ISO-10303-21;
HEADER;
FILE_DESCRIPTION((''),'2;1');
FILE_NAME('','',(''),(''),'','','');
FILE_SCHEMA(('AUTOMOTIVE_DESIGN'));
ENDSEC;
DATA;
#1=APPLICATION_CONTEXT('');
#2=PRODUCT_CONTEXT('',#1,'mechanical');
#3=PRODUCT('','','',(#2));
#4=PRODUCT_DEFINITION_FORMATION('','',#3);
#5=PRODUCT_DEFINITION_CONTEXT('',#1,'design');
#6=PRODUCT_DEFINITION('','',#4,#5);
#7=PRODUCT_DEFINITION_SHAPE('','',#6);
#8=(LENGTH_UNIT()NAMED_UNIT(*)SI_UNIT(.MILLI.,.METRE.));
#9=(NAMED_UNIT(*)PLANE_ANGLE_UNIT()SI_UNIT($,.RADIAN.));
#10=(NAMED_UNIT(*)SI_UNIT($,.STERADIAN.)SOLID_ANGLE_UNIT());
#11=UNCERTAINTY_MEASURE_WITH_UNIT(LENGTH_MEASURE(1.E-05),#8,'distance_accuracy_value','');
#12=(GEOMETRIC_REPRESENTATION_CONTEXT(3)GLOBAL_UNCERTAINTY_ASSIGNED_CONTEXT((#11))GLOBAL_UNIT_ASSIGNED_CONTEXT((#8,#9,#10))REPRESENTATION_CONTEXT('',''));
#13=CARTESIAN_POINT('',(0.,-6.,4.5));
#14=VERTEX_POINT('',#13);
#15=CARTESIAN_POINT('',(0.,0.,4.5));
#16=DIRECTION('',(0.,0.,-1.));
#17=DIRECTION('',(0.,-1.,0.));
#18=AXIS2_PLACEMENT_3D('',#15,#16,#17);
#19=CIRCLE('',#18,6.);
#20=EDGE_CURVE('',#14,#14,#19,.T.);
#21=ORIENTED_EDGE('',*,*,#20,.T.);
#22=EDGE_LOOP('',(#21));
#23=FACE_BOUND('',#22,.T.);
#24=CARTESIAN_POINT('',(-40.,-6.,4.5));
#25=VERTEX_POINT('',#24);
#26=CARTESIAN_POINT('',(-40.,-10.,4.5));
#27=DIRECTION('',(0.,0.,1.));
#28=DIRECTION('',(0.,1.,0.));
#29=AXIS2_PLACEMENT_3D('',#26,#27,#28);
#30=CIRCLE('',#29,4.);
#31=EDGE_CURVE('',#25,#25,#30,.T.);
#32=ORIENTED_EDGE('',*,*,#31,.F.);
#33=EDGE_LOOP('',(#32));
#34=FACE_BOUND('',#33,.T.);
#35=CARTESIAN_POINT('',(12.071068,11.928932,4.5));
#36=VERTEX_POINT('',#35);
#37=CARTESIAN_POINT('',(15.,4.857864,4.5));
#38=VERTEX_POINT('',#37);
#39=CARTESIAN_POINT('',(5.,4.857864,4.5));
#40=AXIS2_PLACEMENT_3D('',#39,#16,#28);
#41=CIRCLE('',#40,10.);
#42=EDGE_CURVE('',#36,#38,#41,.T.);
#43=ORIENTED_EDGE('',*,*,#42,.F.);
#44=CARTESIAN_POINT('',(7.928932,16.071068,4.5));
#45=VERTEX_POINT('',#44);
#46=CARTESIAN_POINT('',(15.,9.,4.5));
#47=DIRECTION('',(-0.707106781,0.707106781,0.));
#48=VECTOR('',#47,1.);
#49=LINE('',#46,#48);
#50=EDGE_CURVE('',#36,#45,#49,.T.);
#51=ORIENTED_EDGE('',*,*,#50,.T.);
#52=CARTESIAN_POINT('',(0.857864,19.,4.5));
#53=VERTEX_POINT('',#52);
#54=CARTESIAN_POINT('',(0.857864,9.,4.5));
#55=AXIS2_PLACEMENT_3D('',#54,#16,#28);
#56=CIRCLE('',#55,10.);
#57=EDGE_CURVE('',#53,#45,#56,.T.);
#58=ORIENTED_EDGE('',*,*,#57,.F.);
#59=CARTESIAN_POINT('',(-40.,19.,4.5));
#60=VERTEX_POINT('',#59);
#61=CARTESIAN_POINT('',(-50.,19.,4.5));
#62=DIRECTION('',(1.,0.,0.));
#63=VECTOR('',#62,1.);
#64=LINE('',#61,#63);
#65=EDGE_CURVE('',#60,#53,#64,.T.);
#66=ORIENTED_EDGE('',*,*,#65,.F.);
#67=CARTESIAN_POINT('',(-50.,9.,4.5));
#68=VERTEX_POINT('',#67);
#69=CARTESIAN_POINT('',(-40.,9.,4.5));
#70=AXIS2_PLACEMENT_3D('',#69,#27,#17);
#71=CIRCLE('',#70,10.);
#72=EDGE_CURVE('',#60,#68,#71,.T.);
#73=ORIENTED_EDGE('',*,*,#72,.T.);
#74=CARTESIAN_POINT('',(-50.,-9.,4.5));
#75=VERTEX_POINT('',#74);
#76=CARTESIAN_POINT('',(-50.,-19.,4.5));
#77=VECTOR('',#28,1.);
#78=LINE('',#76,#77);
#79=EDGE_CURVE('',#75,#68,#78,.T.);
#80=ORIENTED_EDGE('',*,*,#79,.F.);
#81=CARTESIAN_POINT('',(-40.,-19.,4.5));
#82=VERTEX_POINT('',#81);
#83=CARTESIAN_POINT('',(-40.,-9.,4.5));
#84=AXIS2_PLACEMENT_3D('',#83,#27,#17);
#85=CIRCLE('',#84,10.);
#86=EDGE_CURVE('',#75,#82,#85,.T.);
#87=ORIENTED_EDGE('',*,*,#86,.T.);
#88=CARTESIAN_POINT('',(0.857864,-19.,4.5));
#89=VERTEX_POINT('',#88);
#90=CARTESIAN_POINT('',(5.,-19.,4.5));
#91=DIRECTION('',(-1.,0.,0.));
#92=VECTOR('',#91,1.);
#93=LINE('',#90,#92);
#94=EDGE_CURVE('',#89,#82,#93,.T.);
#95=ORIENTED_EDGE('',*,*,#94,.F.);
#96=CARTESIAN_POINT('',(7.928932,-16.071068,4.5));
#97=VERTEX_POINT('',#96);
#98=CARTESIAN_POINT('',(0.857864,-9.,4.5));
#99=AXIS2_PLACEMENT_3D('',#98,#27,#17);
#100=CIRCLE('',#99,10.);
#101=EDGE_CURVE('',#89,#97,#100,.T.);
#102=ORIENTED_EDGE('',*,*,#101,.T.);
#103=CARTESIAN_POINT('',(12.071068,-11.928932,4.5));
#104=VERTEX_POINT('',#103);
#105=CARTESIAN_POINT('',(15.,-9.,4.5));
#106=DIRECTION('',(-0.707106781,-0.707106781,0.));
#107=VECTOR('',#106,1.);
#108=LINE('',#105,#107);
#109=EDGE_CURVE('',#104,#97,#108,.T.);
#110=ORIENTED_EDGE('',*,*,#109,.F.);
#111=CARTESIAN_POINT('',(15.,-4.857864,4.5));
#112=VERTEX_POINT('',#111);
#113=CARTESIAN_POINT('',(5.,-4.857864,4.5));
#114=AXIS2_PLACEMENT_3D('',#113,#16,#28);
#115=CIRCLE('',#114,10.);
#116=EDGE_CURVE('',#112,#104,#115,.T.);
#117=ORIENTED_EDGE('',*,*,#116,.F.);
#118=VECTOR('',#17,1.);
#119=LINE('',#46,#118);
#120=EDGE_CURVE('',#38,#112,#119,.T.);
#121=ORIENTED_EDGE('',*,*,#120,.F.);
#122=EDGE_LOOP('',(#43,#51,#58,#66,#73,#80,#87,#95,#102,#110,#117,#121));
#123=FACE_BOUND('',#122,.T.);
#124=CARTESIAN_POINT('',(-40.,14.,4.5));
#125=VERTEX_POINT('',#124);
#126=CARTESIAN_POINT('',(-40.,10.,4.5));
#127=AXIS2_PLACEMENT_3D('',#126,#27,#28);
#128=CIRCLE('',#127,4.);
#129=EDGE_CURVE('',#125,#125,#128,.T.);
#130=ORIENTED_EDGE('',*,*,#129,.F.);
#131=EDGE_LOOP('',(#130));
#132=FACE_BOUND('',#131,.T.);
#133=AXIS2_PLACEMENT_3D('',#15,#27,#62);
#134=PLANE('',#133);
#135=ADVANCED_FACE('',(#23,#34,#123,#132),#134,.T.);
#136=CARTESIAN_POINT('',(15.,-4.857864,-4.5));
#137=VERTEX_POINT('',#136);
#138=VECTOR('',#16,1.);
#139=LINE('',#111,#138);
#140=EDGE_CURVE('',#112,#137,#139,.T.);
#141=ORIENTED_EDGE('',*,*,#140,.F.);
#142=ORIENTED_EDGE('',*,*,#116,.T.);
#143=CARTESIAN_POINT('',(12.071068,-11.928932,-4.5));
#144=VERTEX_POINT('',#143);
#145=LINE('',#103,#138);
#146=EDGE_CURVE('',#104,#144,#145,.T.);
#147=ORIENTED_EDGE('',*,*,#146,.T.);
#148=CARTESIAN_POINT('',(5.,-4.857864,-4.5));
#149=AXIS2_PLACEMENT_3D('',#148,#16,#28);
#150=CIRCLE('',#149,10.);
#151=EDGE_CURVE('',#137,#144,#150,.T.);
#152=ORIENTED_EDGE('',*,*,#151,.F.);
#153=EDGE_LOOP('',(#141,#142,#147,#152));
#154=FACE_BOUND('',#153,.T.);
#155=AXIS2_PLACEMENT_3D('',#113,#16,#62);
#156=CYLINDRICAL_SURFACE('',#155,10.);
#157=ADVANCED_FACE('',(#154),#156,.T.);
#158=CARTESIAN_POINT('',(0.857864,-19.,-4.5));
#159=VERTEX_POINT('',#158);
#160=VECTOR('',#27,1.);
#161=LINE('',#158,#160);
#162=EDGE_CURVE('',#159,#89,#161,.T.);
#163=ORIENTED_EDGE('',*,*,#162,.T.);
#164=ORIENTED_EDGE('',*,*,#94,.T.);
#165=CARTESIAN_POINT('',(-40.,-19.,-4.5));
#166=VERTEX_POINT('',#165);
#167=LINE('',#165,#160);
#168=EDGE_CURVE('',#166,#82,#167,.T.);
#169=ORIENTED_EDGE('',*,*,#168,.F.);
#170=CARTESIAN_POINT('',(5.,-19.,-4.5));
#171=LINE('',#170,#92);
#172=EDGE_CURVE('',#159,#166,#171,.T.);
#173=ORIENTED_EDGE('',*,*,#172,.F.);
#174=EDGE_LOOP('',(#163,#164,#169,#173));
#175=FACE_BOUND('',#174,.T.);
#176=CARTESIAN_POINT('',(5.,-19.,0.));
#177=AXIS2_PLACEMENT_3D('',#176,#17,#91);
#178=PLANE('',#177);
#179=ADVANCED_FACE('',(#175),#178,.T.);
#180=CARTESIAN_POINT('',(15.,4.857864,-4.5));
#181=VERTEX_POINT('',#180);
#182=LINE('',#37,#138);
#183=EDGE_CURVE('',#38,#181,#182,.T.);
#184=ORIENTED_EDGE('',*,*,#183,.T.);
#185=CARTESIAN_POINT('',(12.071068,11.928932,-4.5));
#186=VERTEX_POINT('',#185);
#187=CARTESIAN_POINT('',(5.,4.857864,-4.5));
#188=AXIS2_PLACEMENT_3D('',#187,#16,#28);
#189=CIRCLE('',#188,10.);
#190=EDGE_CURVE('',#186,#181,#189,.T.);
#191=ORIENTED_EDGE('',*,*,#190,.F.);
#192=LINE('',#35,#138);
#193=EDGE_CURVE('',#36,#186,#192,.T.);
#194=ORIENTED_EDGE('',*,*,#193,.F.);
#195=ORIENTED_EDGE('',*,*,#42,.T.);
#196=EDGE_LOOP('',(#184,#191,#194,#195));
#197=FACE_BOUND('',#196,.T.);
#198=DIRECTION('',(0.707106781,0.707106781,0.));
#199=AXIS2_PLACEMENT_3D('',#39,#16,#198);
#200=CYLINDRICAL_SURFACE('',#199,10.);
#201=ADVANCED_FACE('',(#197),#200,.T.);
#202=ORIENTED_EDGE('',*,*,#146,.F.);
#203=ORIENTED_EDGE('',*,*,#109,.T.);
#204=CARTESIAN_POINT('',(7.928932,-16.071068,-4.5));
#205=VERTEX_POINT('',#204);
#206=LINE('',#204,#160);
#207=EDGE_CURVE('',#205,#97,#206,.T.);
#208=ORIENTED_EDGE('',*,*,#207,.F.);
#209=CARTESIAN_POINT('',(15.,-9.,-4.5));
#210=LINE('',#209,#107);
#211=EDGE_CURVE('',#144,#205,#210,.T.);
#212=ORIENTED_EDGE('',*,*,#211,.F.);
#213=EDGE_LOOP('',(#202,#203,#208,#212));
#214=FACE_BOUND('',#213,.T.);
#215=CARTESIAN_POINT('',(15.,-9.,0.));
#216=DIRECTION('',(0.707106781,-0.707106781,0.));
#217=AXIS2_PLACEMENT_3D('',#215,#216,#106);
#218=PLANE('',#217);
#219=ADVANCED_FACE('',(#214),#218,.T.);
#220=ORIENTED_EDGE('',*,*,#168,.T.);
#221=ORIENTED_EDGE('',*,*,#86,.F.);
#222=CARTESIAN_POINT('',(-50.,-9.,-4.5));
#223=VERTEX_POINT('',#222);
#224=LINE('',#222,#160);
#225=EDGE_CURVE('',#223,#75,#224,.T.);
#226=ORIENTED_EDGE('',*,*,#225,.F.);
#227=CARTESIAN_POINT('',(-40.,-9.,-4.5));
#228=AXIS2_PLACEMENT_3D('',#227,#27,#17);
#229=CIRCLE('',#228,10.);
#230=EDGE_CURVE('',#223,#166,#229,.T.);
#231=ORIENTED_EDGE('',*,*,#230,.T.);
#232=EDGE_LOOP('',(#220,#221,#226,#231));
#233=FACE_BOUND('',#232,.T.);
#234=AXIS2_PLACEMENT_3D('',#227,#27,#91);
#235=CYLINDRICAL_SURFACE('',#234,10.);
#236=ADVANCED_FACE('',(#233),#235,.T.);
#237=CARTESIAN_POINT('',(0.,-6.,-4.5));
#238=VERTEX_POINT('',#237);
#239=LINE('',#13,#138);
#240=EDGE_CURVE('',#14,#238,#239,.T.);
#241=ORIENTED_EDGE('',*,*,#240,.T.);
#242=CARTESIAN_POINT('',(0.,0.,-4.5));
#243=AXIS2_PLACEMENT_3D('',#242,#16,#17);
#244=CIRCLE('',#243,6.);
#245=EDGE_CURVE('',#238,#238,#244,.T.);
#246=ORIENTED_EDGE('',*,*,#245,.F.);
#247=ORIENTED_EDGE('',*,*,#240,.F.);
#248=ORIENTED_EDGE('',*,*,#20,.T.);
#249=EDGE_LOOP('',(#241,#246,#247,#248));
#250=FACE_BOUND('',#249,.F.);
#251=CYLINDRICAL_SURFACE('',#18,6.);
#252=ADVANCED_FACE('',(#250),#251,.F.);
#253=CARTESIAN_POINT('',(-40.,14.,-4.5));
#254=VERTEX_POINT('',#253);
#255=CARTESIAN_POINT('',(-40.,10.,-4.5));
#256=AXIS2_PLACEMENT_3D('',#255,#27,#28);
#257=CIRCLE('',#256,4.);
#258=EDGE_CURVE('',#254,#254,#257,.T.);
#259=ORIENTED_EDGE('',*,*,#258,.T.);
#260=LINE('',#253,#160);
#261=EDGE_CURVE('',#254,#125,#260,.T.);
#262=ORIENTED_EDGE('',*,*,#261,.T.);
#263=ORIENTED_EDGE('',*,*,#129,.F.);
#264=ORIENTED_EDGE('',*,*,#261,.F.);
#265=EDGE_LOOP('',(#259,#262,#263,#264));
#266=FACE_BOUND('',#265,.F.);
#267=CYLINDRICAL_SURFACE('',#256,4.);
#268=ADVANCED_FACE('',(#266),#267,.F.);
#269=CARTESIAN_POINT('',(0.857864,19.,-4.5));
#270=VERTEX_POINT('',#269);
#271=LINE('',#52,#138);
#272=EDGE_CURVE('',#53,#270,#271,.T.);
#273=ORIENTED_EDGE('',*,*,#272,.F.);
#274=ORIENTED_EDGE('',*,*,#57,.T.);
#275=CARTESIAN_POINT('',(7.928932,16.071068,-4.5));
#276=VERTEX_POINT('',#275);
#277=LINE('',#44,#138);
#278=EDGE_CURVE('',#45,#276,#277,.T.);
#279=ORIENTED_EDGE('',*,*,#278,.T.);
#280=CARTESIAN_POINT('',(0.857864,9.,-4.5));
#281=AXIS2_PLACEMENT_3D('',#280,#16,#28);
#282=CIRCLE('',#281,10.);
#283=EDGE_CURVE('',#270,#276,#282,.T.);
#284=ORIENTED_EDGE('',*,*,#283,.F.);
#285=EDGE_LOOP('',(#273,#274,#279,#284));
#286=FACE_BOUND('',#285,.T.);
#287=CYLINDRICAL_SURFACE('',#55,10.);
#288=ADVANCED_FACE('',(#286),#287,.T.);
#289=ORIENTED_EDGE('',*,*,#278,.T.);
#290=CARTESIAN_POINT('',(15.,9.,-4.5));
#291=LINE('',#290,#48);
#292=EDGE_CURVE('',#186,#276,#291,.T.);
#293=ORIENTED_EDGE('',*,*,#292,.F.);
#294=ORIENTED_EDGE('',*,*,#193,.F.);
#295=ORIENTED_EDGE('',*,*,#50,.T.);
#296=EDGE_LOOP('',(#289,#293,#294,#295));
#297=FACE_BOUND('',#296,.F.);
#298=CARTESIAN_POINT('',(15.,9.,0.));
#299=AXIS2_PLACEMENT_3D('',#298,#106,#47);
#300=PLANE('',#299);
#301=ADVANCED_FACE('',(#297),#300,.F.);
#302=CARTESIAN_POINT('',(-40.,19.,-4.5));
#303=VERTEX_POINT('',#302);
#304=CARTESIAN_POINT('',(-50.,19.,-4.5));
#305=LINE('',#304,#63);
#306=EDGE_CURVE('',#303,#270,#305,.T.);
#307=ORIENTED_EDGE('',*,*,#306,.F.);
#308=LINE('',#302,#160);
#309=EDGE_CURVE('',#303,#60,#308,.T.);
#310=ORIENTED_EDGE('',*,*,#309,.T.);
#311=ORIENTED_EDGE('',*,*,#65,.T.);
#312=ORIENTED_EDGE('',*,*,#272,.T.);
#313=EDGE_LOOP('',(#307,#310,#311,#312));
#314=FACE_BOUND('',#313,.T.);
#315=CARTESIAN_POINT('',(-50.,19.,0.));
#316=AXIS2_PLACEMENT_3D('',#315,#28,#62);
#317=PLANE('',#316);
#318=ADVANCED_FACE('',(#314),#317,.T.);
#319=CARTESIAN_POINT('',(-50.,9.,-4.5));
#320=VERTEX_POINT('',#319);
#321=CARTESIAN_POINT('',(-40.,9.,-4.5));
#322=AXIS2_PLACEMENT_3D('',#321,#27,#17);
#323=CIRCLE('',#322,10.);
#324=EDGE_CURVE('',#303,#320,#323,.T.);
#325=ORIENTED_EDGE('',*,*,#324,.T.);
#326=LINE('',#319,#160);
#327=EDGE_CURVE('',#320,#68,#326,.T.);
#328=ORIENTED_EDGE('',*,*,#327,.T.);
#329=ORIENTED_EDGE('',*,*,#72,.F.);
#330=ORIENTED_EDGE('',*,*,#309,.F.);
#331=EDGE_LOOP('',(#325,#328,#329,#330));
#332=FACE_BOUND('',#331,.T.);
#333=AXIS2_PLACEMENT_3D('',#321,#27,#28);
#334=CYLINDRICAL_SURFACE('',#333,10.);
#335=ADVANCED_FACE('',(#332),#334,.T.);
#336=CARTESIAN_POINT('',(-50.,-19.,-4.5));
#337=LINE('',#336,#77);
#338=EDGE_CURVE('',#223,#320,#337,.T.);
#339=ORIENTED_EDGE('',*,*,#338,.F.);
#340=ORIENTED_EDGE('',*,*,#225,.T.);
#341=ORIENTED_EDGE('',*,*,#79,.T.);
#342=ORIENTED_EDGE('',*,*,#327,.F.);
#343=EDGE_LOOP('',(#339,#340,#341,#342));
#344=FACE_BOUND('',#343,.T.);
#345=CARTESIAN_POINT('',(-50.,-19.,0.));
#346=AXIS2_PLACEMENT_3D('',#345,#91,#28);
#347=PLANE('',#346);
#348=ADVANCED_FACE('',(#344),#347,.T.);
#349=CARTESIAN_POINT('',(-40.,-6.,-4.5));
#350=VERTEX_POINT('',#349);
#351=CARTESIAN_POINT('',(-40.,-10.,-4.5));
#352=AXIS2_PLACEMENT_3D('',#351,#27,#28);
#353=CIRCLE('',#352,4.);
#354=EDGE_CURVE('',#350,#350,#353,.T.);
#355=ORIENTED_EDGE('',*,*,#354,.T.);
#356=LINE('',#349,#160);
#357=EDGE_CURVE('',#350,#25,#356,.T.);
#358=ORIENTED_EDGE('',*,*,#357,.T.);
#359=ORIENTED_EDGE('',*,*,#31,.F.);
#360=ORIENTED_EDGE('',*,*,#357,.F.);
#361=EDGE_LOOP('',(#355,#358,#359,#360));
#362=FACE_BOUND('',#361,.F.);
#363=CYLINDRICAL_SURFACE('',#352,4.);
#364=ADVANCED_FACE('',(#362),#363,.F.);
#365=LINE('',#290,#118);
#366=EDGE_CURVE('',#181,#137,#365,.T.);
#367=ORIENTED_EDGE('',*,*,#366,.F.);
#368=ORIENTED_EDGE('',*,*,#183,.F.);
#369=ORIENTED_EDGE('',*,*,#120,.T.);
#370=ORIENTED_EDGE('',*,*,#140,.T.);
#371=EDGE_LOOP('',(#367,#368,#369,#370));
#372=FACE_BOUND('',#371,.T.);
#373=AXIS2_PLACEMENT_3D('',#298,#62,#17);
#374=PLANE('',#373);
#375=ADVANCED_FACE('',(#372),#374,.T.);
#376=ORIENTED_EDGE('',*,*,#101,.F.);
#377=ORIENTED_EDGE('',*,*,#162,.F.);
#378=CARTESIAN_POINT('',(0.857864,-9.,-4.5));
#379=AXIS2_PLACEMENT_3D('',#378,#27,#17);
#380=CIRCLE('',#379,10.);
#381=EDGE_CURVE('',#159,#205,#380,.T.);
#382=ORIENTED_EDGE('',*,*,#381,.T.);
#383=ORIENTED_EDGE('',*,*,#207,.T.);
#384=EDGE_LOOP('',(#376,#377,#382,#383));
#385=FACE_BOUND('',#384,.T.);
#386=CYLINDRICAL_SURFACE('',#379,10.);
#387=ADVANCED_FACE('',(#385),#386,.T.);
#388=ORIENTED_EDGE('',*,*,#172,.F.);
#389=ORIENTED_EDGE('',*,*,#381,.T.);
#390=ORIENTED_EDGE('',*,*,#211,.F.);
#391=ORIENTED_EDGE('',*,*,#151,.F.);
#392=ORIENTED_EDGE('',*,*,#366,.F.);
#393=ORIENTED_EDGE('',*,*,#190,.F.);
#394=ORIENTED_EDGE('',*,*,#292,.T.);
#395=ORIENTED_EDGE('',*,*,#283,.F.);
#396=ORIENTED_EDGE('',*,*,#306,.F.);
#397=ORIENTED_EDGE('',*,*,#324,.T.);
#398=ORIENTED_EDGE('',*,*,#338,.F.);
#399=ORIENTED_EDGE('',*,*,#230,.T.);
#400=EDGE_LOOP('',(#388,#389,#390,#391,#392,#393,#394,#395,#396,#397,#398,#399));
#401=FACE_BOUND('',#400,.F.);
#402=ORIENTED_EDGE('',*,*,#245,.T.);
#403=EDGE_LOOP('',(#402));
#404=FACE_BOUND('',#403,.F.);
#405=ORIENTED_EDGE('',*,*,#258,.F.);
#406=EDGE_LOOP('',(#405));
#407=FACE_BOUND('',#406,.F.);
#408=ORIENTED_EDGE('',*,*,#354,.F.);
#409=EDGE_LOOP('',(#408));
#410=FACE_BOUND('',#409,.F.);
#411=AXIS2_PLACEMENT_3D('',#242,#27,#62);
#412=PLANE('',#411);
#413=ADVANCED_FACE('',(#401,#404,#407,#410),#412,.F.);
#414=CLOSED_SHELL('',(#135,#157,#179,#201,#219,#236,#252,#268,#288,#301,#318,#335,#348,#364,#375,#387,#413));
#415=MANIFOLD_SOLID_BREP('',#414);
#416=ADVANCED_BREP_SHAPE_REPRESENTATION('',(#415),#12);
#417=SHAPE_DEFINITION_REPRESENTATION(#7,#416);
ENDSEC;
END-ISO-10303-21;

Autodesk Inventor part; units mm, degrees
ref_plane "YZ Plane" through (0, 0, 0) normal (1, 0, 0) x (0, 1, 0)
ref_plane "XZ Plane" through (0, 0, 0) normal (0, 1, 0) x (-1, 0, 0)
ref_plane "XY Plane" through (0, 0, 0) normal (0, 0, 1) x (1, 0, 0)
sketch "スケッチ2" plane through (0, 0, 0) normal (0, 0, 1) x (1, 0, 0)
  line L0 (-50, 19) -> (5, 19)
  line L1 (15, 9) -> (15, -9)
  line L2 (5, -19) -> (-50, -19)
  line L3 (-50, -19) -> (-50, 19)
  line L4 (15, 9) -> (5, 19)
  line L5 (15, -9) -> (5, -19)
  point P0 (15, -19)
  point P1 (15, 19)
  point P2 (0, 0)
  dimension "d2" = 10
  dimension "d3" = 10
  dimension "d4" = 10
  dimension "d5" = 10
  dimension "d6" = 38
  dimension "d7" = 65
  dimension "d34" = 19
  dimension "d36" = 50
extrude "押し出し2" add sketch "スケッチ2" along normal mid plane 9
sketch "スケッチ4" plane through (0, 0, -4.5) normal (0, 0, -1) x (-1, 0, 0)
  line L0 (50, 19) -> (50, -19) projected
  line L1 (50, -19) -> (-5, -19) projected
  point P0 (40, -10)
  point P1 (40, 10)
  dimension "d24" = 10
  dimension "d25" = 9
  dimension "d26" = 20
hole "穴2" at (-40, -10, -4.5) at (-40, 10, -4.5) direction (0, 0, 1) diameter 8 end through all
sketch "スケッチ5" plane through (0, 0, 4.5) normal (0, 0, 1) x (1, 0, 0)
  point P0 (0, 0)
  point P1 (0, 0)
hole "穴3" at (0, 0, 4.5) direction (0, 0, -1) diameter 12 end through all
fillet "Fillet1" radius 10 6 edges at (-50, 19, 0) (-50, -19, 0) (5, -19, 0) (15, -9, 0) (15, 9, 0) (5, 19, 0)
equation "\"d3\" = d2"
equation "\"d4\" = d2"
equation "\"d5\" = d4"
equation "\"d34\" = 0.5 * d6"
properties part number "210-106c" material "STEEL - HIGH GRADE ALLOY"
